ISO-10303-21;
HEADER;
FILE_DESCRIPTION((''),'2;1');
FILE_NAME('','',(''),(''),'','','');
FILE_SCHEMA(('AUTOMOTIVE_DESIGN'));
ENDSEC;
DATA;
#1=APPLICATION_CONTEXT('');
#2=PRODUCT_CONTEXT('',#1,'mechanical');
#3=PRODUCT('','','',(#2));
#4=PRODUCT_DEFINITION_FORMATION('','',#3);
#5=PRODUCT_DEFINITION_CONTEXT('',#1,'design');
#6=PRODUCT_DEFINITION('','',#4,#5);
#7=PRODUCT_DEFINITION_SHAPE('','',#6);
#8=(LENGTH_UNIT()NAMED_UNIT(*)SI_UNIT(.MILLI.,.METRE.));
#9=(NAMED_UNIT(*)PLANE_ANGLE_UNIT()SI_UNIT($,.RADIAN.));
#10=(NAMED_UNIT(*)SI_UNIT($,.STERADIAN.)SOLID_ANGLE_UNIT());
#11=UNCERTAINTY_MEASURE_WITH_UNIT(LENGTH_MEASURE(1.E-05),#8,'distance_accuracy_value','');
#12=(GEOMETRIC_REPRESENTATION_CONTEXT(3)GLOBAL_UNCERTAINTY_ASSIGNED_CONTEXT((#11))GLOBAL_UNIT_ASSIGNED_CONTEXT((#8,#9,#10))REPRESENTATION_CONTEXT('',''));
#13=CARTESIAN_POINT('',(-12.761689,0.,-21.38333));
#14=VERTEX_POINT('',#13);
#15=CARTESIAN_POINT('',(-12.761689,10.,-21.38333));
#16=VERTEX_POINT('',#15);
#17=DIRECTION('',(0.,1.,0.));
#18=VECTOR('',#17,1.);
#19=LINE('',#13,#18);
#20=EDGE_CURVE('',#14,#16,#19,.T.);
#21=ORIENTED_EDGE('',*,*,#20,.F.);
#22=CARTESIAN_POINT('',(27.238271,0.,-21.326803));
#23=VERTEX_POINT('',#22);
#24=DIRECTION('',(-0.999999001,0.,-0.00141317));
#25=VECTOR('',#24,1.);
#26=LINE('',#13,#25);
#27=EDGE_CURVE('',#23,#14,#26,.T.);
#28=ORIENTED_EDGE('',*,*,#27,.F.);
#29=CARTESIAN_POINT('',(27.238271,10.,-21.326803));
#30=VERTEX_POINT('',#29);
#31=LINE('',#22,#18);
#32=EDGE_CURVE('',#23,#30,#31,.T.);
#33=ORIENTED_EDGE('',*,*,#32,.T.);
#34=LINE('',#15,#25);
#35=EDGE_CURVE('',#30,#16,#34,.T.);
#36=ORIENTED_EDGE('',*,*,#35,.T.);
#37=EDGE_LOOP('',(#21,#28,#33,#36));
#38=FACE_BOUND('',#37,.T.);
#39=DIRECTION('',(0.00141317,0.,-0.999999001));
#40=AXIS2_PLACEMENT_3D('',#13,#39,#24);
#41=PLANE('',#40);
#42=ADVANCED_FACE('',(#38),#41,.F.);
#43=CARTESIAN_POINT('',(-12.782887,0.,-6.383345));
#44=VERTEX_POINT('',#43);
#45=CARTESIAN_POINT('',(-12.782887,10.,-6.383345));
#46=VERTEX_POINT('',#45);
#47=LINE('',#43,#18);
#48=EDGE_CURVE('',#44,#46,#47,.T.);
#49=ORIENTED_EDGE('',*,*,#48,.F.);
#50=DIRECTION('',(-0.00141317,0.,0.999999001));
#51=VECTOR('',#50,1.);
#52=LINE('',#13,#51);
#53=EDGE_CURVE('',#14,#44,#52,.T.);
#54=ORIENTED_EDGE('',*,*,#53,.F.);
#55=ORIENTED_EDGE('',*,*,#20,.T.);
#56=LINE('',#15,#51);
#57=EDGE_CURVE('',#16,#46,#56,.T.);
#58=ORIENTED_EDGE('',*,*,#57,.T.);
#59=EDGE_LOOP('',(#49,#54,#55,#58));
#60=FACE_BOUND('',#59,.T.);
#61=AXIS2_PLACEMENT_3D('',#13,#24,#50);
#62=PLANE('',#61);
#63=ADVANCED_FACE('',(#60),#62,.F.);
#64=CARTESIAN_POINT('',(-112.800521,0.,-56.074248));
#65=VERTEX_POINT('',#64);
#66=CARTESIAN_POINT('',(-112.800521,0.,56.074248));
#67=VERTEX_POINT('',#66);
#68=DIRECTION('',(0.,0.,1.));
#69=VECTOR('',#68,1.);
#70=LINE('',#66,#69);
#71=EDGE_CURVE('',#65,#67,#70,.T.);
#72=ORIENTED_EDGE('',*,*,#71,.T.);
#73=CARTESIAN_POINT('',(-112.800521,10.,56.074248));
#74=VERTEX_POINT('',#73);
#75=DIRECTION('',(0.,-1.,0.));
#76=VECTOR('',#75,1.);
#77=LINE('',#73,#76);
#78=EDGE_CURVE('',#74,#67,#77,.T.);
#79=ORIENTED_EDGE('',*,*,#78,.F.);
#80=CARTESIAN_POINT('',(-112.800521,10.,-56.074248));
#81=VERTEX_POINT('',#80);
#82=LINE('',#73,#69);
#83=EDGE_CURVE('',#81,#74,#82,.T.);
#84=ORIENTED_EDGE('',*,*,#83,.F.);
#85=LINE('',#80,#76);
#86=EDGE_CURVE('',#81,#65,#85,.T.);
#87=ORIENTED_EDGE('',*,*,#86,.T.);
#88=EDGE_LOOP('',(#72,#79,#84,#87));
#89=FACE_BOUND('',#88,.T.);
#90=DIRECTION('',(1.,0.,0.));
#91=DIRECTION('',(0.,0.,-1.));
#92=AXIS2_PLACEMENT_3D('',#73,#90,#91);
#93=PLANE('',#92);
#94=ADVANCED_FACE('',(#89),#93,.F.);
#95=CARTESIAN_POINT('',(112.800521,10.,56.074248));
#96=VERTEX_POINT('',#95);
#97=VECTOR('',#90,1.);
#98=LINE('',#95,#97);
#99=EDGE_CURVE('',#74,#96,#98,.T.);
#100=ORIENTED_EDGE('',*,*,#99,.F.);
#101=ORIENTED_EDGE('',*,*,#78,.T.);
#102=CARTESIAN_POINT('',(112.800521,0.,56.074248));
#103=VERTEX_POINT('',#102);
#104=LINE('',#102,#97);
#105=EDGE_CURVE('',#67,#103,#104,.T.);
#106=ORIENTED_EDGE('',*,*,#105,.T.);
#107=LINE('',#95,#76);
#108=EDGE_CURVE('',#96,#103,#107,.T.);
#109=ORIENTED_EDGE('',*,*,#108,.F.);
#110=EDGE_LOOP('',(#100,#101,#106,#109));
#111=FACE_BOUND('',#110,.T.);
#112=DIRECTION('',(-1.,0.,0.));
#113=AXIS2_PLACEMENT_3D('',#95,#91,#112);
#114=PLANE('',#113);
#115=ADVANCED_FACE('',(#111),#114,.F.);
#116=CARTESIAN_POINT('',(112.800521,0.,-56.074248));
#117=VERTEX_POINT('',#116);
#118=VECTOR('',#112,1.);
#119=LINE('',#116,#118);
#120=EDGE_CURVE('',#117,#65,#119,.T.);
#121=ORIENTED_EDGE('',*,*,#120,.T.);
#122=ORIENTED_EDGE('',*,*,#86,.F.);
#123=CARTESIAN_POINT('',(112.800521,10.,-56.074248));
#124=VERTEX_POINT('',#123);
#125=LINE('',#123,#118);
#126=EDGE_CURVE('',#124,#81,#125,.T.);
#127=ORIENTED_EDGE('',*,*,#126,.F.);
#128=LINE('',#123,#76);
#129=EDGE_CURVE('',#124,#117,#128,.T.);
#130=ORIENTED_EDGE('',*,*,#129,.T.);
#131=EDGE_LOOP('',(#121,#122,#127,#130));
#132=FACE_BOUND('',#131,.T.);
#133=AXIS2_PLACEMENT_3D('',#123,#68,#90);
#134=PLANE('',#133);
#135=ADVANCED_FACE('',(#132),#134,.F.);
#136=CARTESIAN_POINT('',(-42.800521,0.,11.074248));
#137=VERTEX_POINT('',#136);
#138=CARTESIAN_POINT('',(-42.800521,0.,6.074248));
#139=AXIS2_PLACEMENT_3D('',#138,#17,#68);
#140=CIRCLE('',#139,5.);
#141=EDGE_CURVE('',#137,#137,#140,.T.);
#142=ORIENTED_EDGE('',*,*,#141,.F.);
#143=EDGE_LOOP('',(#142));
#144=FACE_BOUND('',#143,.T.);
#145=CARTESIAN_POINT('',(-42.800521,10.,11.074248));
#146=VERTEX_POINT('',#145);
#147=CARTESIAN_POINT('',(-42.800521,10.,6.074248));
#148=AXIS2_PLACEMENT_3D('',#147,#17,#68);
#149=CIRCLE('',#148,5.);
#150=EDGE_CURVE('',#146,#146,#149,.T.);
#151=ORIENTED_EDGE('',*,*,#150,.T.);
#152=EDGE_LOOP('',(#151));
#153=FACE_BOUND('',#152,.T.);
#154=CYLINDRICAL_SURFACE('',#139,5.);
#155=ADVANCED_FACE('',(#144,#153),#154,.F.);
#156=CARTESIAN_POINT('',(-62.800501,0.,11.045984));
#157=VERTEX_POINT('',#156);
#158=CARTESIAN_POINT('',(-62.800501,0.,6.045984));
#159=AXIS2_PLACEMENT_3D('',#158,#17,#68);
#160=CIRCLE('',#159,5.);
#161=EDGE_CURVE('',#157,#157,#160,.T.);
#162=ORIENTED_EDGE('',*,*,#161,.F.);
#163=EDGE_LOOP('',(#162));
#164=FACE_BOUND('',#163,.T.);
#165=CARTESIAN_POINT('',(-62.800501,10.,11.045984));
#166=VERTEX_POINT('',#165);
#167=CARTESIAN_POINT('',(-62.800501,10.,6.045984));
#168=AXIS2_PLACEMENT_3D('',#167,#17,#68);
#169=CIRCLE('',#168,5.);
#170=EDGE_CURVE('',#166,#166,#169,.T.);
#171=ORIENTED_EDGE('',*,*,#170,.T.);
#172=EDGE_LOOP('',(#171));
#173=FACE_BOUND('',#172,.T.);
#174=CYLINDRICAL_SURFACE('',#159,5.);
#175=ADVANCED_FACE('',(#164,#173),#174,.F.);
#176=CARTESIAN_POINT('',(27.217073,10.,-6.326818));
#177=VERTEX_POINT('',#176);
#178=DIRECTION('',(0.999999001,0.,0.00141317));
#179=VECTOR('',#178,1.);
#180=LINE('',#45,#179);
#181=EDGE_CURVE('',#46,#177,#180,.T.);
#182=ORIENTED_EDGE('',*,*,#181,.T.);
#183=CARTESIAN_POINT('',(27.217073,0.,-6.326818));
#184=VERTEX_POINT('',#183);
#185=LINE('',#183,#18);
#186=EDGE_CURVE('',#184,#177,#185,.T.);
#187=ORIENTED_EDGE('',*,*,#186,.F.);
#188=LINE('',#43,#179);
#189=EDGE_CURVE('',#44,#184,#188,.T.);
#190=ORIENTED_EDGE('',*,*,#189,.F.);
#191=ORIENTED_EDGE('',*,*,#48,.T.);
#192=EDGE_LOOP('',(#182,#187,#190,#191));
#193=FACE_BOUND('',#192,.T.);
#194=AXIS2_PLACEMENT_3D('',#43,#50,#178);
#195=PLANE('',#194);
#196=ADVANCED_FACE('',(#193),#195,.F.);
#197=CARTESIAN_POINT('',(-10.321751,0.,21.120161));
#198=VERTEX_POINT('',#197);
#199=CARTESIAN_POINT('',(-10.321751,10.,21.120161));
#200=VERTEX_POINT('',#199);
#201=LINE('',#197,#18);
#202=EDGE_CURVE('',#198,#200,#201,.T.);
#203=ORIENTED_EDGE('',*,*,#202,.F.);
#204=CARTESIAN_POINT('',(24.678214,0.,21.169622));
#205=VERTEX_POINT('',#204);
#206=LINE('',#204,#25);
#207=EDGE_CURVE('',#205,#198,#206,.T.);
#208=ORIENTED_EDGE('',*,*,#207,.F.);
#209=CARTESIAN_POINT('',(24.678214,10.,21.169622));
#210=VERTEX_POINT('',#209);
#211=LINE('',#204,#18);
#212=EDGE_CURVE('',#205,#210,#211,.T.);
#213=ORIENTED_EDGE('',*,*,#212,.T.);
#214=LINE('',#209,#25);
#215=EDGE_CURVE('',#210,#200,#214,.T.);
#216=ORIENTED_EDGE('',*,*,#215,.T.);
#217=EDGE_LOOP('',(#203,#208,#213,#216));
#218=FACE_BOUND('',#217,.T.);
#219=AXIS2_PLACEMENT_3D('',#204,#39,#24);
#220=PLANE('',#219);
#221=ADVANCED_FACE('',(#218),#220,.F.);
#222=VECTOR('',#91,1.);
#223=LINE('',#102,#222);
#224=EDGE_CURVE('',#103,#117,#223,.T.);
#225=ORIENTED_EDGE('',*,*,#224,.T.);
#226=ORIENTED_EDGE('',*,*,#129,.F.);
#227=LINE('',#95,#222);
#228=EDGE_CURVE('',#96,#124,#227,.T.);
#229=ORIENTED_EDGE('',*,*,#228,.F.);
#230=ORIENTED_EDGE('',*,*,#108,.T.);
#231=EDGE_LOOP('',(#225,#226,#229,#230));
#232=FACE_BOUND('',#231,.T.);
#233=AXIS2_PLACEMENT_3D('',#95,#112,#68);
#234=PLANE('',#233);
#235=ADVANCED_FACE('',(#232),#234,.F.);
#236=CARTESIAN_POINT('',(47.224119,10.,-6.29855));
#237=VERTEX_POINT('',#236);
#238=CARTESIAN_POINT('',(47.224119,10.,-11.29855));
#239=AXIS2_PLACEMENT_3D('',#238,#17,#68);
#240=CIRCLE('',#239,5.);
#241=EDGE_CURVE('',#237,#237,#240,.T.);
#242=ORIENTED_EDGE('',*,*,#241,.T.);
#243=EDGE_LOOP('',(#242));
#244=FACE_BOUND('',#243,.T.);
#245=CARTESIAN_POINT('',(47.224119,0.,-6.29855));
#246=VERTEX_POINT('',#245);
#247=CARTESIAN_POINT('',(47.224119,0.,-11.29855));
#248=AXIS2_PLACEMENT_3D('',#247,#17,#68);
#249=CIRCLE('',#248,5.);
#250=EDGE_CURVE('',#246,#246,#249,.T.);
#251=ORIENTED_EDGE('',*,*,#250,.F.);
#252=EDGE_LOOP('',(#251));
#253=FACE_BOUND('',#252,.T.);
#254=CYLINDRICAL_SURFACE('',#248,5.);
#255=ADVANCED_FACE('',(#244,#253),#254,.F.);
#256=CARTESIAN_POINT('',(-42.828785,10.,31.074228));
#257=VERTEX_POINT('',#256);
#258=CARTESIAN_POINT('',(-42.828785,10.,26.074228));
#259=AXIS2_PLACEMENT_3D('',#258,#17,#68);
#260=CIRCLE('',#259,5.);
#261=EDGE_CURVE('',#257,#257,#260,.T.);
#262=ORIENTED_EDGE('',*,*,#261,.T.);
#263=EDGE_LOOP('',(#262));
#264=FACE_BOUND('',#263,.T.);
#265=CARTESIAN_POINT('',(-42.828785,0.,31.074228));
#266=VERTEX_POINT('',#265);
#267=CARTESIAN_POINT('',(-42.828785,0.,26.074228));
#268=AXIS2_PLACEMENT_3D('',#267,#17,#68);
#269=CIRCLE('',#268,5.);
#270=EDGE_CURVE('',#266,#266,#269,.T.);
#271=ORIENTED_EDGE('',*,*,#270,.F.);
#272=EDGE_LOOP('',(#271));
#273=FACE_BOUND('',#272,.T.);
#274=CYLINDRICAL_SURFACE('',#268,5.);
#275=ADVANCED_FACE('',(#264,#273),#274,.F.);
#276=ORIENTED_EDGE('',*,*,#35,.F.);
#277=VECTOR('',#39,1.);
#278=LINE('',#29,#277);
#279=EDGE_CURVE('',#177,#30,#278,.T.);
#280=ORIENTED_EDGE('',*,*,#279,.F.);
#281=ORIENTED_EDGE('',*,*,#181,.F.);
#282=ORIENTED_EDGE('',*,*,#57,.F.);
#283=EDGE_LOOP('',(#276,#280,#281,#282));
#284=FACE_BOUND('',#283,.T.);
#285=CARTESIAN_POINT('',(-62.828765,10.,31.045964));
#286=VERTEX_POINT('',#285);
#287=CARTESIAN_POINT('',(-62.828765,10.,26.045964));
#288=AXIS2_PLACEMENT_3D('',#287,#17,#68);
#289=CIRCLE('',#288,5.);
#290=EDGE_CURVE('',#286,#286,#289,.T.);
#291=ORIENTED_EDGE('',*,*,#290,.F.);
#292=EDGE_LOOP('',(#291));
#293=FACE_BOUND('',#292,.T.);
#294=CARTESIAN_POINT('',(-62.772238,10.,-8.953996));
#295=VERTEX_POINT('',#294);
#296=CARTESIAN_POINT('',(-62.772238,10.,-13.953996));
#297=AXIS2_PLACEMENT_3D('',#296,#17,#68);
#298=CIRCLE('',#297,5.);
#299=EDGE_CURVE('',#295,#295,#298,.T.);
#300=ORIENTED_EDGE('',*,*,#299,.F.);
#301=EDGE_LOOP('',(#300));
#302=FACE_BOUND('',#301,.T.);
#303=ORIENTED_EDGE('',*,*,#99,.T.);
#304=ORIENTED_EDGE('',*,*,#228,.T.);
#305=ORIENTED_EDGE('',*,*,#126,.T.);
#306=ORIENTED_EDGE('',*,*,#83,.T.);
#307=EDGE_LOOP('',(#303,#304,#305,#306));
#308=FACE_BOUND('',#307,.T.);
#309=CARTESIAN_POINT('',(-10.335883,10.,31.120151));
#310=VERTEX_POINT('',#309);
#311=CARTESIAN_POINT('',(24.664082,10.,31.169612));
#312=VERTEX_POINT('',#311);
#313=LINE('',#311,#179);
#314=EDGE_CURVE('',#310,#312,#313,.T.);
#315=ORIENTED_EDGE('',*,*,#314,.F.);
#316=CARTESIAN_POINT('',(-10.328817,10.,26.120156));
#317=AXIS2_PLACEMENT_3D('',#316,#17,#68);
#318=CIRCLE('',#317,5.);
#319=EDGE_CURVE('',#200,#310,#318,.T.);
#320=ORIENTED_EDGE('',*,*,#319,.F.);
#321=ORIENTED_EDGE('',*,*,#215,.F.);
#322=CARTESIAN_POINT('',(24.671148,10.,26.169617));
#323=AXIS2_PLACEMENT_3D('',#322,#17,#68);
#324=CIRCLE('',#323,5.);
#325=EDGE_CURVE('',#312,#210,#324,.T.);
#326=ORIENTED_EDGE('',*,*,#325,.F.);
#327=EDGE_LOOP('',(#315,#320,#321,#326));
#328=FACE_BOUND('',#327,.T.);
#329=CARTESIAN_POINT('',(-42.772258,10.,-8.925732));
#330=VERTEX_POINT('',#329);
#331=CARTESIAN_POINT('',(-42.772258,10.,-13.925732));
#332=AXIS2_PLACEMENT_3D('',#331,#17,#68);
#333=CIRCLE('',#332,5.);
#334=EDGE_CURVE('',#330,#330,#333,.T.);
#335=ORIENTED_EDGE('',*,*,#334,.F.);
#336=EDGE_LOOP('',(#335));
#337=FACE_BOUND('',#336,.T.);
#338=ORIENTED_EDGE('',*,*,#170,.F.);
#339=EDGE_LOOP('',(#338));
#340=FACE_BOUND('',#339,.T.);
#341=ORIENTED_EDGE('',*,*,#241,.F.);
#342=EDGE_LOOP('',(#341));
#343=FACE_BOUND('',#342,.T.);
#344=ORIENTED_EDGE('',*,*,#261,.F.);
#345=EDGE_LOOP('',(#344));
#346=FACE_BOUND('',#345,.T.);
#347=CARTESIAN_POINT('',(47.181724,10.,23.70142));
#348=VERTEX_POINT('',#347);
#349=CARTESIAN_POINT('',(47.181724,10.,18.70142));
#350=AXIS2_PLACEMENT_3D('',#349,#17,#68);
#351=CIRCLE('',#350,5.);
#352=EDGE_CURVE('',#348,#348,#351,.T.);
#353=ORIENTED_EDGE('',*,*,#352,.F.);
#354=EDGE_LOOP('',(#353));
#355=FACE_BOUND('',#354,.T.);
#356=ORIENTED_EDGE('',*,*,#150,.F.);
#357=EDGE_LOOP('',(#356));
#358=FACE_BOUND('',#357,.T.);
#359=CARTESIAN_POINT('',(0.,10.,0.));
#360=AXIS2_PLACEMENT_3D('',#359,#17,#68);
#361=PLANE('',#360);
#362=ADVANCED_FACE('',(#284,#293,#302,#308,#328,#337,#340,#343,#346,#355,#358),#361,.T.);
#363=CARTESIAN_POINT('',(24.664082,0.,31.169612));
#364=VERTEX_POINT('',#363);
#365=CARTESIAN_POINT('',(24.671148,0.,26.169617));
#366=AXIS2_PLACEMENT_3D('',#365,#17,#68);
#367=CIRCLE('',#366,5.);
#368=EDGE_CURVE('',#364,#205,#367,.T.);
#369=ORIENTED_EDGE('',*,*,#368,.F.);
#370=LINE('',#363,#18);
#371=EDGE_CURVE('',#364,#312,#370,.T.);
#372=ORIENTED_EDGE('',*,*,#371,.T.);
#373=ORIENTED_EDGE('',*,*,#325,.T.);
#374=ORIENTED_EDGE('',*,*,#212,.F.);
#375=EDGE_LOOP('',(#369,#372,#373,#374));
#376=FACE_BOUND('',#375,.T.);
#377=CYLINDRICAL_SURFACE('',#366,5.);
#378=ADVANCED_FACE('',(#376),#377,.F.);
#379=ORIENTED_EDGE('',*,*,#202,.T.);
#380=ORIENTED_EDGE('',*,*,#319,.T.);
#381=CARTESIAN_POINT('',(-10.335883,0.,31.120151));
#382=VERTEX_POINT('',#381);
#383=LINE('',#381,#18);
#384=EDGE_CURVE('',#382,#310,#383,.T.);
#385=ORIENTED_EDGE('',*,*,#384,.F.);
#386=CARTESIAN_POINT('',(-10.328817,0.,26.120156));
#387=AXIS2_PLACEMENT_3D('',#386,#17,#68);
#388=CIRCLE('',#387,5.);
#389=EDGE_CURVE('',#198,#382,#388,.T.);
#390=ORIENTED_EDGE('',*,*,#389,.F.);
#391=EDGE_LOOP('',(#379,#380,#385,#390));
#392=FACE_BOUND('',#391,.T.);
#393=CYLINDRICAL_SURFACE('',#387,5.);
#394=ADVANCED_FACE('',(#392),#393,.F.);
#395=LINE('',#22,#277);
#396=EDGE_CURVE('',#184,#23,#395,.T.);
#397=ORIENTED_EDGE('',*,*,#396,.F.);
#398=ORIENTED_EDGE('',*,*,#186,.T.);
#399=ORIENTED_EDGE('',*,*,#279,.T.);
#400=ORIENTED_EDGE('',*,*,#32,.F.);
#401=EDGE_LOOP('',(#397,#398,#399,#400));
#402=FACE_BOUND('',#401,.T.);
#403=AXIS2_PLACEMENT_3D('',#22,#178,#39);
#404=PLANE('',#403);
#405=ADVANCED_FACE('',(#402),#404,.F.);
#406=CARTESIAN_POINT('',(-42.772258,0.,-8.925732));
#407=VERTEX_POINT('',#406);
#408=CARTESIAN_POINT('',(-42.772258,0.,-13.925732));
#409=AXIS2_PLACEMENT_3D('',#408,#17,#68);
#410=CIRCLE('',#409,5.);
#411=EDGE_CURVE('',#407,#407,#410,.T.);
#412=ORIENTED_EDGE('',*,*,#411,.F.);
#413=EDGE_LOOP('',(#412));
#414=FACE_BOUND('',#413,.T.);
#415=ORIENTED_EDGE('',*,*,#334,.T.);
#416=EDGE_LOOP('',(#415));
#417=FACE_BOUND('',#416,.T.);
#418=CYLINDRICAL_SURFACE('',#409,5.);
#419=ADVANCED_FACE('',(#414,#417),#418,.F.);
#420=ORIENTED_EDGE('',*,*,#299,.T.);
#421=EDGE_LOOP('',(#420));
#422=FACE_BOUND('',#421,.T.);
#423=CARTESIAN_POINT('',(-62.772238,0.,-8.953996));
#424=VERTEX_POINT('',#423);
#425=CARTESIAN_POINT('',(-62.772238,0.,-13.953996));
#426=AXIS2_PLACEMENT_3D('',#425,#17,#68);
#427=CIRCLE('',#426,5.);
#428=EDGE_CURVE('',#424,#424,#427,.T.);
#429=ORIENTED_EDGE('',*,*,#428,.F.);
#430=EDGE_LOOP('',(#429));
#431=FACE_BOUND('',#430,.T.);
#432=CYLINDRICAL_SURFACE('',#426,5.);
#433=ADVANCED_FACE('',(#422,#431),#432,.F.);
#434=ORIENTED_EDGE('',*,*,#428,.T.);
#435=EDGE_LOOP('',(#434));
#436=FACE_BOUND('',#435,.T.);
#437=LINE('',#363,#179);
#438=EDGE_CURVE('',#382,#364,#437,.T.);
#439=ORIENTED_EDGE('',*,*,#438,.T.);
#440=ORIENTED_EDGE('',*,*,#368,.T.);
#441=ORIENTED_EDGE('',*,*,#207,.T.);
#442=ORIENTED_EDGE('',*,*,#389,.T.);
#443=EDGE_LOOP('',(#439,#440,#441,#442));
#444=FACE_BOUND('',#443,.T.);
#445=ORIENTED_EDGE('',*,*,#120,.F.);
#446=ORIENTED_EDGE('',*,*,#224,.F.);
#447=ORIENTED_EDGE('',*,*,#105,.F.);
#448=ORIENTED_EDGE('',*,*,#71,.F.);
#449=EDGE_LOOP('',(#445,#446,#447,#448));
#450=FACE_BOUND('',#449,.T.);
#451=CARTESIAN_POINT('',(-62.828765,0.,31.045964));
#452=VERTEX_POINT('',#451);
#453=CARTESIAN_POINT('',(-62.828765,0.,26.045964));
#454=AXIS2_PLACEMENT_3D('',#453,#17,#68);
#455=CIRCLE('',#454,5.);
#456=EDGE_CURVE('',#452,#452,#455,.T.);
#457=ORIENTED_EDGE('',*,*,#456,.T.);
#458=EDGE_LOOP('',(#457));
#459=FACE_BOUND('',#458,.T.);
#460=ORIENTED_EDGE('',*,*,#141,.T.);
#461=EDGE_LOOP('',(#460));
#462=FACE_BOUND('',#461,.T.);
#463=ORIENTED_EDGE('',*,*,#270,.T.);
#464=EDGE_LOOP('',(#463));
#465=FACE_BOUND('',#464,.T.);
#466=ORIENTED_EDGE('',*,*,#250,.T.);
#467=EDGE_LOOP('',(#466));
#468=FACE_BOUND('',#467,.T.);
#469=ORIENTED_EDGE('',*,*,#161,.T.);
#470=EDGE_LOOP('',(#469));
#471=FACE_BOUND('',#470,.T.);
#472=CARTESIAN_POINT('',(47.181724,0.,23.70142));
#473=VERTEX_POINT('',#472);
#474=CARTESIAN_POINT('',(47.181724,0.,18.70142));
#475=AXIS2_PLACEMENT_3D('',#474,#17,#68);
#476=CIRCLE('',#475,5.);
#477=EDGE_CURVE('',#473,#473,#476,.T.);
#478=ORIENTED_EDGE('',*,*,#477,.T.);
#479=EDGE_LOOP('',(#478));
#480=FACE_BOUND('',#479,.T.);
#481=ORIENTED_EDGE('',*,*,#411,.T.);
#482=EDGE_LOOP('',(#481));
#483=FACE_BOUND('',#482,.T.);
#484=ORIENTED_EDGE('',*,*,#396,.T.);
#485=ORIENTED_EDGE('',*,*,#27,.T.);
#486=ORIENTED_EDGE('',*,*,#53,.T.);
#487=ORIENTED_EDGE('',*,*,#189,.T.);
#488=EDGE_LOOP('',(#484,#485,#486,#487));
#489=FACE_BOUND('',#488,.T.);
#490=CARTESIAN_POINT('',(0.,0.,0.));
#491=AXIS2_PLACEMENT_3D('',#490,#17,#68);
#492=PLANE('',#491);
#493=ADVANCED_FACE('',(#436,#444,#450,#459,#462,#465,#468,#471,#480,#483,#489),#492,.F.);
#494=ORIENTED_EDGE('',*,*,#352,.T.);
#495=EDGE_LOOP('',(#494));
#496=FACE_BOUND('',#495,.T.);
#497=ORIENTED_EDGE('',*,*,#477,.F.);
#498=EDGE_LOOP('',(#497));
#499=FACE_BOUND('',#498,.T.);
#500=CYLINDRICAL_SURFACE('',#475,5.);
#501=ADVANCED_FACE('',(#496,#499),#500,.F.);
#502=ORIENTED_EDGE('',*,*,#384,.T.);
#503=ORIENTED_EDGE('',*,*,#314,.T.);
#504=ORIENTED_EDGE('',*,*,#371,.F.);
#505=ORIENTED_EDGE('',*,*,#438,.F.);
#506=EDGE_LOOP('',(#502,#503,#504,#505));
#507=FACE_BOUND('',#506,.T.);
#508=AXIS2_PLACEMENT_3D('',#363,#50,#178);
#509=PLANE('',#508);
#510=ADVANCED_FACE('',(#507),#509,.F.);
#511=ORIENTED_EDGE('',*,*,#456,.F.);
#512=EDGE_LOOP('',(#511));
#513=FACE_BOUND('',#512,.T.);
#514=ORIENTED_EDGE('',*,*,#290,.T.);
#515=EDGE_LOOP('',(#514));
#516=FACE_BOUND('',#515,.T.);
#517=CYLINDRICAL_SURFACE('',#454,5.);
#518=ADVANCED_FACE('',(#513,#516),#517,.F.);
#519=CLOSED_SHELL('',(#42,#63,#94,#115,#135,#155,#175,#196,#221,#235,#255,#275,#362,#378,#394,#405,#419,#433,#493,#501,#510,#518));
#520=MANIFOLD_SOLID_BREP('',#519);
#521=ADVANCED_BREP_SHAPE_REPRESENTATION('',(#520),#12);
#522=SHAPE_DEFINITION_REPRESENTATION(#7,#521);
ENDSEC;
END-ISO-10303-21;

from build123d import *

# Parameters (mm, degrees)
SKETCH2_W           = 225.601042676
SKETCH2_H           = 112.148495204
BOSS_EXTRUDE1_DEPTH = 10
SKETCH3_R           = 5
CUT_EXTRUDE1_DEPTH  = 127.365655375


with BuildPart() as part:
    # Sketch2 → Boss-Extrude1 (new body)
    with BuildSketch(Plane(origin=(0, 0, 0), x_dir=(1, 0, 0), z_dir=(0, 1, 0))):
        Rectangle(SKETCH2_W, SKETCH2_H)
    extrude(amount=BOSS_EXTRUDE1_DEPTH)

    # Sketch3 → Cut-Extrude1 (cut, through all)
    with BuildSketch(Plane(origin=(0, 10, 0), x_dir=(1, 0, 0), z_dir=(0, 1, 0))):
        with Locations(Location((47.181724175, -18.701420381, 0), (0, 0, 270))):
            Circle(SKETCH3_R)
        with Locations(Location((47.224119262, 11.298549663, 0), (0, 0, 270))):
            Circle(SKETCH3_R)
        with Locations(Location((-42.772257947, 13.925732428, 0), (0, 0, 270))):
            Circle(SKETCH3_R)
        with Locations(Location((-62.772237976, 13.953995819, 0), (0, 0, 270))):
            Circle(SKETCH3_R)
        with Locations(Location((-62.800501368, -6.04598421, 0), (0, 0, 270))):
            Circle(SKETCH3_R)
        with Locations(Location((-62.828764759, -26.04596424, 0), (0, 0, 270))):
            Circle(SKETCH3_R)
        with Locations(Location((-42.800521338, -6.074247602, 0), (0, 0, 270))):
            Circle(SKETCH3_R)
        with Locations(Location((-42.82878473, -26.074227631, 0), (0, 0, 270))):
            Circle(SKETCH3_R)
        Polygon((-12.761689131, 21.383329852), (27.238270928, 21.326803069), (27.217073385, 6.326818047), (-12.782886674, 6.38334483), align=None)
        with BuildLine():
            Line((24.664082022, -31.169611585), (-10.33588303, -31.12015065))
            ThreePointArc((-10.33588303, -31.12015065), (-15.328812189, -26.113089794), (-10.321751334, -21.120160635))
            Line((-10.321751334, -21.120160635), (24.678213718, -21.16962157))
            ThreePointArc((24.678213718, -21.16962157), (29.671142877, -26.176682425), (24.664082022, -31.169611585))
        make_face()
    extrude(amount=-CUT_EXTRUDE1_DEPTH, mode=Mode.SUBTRACT)


solid = part.part
